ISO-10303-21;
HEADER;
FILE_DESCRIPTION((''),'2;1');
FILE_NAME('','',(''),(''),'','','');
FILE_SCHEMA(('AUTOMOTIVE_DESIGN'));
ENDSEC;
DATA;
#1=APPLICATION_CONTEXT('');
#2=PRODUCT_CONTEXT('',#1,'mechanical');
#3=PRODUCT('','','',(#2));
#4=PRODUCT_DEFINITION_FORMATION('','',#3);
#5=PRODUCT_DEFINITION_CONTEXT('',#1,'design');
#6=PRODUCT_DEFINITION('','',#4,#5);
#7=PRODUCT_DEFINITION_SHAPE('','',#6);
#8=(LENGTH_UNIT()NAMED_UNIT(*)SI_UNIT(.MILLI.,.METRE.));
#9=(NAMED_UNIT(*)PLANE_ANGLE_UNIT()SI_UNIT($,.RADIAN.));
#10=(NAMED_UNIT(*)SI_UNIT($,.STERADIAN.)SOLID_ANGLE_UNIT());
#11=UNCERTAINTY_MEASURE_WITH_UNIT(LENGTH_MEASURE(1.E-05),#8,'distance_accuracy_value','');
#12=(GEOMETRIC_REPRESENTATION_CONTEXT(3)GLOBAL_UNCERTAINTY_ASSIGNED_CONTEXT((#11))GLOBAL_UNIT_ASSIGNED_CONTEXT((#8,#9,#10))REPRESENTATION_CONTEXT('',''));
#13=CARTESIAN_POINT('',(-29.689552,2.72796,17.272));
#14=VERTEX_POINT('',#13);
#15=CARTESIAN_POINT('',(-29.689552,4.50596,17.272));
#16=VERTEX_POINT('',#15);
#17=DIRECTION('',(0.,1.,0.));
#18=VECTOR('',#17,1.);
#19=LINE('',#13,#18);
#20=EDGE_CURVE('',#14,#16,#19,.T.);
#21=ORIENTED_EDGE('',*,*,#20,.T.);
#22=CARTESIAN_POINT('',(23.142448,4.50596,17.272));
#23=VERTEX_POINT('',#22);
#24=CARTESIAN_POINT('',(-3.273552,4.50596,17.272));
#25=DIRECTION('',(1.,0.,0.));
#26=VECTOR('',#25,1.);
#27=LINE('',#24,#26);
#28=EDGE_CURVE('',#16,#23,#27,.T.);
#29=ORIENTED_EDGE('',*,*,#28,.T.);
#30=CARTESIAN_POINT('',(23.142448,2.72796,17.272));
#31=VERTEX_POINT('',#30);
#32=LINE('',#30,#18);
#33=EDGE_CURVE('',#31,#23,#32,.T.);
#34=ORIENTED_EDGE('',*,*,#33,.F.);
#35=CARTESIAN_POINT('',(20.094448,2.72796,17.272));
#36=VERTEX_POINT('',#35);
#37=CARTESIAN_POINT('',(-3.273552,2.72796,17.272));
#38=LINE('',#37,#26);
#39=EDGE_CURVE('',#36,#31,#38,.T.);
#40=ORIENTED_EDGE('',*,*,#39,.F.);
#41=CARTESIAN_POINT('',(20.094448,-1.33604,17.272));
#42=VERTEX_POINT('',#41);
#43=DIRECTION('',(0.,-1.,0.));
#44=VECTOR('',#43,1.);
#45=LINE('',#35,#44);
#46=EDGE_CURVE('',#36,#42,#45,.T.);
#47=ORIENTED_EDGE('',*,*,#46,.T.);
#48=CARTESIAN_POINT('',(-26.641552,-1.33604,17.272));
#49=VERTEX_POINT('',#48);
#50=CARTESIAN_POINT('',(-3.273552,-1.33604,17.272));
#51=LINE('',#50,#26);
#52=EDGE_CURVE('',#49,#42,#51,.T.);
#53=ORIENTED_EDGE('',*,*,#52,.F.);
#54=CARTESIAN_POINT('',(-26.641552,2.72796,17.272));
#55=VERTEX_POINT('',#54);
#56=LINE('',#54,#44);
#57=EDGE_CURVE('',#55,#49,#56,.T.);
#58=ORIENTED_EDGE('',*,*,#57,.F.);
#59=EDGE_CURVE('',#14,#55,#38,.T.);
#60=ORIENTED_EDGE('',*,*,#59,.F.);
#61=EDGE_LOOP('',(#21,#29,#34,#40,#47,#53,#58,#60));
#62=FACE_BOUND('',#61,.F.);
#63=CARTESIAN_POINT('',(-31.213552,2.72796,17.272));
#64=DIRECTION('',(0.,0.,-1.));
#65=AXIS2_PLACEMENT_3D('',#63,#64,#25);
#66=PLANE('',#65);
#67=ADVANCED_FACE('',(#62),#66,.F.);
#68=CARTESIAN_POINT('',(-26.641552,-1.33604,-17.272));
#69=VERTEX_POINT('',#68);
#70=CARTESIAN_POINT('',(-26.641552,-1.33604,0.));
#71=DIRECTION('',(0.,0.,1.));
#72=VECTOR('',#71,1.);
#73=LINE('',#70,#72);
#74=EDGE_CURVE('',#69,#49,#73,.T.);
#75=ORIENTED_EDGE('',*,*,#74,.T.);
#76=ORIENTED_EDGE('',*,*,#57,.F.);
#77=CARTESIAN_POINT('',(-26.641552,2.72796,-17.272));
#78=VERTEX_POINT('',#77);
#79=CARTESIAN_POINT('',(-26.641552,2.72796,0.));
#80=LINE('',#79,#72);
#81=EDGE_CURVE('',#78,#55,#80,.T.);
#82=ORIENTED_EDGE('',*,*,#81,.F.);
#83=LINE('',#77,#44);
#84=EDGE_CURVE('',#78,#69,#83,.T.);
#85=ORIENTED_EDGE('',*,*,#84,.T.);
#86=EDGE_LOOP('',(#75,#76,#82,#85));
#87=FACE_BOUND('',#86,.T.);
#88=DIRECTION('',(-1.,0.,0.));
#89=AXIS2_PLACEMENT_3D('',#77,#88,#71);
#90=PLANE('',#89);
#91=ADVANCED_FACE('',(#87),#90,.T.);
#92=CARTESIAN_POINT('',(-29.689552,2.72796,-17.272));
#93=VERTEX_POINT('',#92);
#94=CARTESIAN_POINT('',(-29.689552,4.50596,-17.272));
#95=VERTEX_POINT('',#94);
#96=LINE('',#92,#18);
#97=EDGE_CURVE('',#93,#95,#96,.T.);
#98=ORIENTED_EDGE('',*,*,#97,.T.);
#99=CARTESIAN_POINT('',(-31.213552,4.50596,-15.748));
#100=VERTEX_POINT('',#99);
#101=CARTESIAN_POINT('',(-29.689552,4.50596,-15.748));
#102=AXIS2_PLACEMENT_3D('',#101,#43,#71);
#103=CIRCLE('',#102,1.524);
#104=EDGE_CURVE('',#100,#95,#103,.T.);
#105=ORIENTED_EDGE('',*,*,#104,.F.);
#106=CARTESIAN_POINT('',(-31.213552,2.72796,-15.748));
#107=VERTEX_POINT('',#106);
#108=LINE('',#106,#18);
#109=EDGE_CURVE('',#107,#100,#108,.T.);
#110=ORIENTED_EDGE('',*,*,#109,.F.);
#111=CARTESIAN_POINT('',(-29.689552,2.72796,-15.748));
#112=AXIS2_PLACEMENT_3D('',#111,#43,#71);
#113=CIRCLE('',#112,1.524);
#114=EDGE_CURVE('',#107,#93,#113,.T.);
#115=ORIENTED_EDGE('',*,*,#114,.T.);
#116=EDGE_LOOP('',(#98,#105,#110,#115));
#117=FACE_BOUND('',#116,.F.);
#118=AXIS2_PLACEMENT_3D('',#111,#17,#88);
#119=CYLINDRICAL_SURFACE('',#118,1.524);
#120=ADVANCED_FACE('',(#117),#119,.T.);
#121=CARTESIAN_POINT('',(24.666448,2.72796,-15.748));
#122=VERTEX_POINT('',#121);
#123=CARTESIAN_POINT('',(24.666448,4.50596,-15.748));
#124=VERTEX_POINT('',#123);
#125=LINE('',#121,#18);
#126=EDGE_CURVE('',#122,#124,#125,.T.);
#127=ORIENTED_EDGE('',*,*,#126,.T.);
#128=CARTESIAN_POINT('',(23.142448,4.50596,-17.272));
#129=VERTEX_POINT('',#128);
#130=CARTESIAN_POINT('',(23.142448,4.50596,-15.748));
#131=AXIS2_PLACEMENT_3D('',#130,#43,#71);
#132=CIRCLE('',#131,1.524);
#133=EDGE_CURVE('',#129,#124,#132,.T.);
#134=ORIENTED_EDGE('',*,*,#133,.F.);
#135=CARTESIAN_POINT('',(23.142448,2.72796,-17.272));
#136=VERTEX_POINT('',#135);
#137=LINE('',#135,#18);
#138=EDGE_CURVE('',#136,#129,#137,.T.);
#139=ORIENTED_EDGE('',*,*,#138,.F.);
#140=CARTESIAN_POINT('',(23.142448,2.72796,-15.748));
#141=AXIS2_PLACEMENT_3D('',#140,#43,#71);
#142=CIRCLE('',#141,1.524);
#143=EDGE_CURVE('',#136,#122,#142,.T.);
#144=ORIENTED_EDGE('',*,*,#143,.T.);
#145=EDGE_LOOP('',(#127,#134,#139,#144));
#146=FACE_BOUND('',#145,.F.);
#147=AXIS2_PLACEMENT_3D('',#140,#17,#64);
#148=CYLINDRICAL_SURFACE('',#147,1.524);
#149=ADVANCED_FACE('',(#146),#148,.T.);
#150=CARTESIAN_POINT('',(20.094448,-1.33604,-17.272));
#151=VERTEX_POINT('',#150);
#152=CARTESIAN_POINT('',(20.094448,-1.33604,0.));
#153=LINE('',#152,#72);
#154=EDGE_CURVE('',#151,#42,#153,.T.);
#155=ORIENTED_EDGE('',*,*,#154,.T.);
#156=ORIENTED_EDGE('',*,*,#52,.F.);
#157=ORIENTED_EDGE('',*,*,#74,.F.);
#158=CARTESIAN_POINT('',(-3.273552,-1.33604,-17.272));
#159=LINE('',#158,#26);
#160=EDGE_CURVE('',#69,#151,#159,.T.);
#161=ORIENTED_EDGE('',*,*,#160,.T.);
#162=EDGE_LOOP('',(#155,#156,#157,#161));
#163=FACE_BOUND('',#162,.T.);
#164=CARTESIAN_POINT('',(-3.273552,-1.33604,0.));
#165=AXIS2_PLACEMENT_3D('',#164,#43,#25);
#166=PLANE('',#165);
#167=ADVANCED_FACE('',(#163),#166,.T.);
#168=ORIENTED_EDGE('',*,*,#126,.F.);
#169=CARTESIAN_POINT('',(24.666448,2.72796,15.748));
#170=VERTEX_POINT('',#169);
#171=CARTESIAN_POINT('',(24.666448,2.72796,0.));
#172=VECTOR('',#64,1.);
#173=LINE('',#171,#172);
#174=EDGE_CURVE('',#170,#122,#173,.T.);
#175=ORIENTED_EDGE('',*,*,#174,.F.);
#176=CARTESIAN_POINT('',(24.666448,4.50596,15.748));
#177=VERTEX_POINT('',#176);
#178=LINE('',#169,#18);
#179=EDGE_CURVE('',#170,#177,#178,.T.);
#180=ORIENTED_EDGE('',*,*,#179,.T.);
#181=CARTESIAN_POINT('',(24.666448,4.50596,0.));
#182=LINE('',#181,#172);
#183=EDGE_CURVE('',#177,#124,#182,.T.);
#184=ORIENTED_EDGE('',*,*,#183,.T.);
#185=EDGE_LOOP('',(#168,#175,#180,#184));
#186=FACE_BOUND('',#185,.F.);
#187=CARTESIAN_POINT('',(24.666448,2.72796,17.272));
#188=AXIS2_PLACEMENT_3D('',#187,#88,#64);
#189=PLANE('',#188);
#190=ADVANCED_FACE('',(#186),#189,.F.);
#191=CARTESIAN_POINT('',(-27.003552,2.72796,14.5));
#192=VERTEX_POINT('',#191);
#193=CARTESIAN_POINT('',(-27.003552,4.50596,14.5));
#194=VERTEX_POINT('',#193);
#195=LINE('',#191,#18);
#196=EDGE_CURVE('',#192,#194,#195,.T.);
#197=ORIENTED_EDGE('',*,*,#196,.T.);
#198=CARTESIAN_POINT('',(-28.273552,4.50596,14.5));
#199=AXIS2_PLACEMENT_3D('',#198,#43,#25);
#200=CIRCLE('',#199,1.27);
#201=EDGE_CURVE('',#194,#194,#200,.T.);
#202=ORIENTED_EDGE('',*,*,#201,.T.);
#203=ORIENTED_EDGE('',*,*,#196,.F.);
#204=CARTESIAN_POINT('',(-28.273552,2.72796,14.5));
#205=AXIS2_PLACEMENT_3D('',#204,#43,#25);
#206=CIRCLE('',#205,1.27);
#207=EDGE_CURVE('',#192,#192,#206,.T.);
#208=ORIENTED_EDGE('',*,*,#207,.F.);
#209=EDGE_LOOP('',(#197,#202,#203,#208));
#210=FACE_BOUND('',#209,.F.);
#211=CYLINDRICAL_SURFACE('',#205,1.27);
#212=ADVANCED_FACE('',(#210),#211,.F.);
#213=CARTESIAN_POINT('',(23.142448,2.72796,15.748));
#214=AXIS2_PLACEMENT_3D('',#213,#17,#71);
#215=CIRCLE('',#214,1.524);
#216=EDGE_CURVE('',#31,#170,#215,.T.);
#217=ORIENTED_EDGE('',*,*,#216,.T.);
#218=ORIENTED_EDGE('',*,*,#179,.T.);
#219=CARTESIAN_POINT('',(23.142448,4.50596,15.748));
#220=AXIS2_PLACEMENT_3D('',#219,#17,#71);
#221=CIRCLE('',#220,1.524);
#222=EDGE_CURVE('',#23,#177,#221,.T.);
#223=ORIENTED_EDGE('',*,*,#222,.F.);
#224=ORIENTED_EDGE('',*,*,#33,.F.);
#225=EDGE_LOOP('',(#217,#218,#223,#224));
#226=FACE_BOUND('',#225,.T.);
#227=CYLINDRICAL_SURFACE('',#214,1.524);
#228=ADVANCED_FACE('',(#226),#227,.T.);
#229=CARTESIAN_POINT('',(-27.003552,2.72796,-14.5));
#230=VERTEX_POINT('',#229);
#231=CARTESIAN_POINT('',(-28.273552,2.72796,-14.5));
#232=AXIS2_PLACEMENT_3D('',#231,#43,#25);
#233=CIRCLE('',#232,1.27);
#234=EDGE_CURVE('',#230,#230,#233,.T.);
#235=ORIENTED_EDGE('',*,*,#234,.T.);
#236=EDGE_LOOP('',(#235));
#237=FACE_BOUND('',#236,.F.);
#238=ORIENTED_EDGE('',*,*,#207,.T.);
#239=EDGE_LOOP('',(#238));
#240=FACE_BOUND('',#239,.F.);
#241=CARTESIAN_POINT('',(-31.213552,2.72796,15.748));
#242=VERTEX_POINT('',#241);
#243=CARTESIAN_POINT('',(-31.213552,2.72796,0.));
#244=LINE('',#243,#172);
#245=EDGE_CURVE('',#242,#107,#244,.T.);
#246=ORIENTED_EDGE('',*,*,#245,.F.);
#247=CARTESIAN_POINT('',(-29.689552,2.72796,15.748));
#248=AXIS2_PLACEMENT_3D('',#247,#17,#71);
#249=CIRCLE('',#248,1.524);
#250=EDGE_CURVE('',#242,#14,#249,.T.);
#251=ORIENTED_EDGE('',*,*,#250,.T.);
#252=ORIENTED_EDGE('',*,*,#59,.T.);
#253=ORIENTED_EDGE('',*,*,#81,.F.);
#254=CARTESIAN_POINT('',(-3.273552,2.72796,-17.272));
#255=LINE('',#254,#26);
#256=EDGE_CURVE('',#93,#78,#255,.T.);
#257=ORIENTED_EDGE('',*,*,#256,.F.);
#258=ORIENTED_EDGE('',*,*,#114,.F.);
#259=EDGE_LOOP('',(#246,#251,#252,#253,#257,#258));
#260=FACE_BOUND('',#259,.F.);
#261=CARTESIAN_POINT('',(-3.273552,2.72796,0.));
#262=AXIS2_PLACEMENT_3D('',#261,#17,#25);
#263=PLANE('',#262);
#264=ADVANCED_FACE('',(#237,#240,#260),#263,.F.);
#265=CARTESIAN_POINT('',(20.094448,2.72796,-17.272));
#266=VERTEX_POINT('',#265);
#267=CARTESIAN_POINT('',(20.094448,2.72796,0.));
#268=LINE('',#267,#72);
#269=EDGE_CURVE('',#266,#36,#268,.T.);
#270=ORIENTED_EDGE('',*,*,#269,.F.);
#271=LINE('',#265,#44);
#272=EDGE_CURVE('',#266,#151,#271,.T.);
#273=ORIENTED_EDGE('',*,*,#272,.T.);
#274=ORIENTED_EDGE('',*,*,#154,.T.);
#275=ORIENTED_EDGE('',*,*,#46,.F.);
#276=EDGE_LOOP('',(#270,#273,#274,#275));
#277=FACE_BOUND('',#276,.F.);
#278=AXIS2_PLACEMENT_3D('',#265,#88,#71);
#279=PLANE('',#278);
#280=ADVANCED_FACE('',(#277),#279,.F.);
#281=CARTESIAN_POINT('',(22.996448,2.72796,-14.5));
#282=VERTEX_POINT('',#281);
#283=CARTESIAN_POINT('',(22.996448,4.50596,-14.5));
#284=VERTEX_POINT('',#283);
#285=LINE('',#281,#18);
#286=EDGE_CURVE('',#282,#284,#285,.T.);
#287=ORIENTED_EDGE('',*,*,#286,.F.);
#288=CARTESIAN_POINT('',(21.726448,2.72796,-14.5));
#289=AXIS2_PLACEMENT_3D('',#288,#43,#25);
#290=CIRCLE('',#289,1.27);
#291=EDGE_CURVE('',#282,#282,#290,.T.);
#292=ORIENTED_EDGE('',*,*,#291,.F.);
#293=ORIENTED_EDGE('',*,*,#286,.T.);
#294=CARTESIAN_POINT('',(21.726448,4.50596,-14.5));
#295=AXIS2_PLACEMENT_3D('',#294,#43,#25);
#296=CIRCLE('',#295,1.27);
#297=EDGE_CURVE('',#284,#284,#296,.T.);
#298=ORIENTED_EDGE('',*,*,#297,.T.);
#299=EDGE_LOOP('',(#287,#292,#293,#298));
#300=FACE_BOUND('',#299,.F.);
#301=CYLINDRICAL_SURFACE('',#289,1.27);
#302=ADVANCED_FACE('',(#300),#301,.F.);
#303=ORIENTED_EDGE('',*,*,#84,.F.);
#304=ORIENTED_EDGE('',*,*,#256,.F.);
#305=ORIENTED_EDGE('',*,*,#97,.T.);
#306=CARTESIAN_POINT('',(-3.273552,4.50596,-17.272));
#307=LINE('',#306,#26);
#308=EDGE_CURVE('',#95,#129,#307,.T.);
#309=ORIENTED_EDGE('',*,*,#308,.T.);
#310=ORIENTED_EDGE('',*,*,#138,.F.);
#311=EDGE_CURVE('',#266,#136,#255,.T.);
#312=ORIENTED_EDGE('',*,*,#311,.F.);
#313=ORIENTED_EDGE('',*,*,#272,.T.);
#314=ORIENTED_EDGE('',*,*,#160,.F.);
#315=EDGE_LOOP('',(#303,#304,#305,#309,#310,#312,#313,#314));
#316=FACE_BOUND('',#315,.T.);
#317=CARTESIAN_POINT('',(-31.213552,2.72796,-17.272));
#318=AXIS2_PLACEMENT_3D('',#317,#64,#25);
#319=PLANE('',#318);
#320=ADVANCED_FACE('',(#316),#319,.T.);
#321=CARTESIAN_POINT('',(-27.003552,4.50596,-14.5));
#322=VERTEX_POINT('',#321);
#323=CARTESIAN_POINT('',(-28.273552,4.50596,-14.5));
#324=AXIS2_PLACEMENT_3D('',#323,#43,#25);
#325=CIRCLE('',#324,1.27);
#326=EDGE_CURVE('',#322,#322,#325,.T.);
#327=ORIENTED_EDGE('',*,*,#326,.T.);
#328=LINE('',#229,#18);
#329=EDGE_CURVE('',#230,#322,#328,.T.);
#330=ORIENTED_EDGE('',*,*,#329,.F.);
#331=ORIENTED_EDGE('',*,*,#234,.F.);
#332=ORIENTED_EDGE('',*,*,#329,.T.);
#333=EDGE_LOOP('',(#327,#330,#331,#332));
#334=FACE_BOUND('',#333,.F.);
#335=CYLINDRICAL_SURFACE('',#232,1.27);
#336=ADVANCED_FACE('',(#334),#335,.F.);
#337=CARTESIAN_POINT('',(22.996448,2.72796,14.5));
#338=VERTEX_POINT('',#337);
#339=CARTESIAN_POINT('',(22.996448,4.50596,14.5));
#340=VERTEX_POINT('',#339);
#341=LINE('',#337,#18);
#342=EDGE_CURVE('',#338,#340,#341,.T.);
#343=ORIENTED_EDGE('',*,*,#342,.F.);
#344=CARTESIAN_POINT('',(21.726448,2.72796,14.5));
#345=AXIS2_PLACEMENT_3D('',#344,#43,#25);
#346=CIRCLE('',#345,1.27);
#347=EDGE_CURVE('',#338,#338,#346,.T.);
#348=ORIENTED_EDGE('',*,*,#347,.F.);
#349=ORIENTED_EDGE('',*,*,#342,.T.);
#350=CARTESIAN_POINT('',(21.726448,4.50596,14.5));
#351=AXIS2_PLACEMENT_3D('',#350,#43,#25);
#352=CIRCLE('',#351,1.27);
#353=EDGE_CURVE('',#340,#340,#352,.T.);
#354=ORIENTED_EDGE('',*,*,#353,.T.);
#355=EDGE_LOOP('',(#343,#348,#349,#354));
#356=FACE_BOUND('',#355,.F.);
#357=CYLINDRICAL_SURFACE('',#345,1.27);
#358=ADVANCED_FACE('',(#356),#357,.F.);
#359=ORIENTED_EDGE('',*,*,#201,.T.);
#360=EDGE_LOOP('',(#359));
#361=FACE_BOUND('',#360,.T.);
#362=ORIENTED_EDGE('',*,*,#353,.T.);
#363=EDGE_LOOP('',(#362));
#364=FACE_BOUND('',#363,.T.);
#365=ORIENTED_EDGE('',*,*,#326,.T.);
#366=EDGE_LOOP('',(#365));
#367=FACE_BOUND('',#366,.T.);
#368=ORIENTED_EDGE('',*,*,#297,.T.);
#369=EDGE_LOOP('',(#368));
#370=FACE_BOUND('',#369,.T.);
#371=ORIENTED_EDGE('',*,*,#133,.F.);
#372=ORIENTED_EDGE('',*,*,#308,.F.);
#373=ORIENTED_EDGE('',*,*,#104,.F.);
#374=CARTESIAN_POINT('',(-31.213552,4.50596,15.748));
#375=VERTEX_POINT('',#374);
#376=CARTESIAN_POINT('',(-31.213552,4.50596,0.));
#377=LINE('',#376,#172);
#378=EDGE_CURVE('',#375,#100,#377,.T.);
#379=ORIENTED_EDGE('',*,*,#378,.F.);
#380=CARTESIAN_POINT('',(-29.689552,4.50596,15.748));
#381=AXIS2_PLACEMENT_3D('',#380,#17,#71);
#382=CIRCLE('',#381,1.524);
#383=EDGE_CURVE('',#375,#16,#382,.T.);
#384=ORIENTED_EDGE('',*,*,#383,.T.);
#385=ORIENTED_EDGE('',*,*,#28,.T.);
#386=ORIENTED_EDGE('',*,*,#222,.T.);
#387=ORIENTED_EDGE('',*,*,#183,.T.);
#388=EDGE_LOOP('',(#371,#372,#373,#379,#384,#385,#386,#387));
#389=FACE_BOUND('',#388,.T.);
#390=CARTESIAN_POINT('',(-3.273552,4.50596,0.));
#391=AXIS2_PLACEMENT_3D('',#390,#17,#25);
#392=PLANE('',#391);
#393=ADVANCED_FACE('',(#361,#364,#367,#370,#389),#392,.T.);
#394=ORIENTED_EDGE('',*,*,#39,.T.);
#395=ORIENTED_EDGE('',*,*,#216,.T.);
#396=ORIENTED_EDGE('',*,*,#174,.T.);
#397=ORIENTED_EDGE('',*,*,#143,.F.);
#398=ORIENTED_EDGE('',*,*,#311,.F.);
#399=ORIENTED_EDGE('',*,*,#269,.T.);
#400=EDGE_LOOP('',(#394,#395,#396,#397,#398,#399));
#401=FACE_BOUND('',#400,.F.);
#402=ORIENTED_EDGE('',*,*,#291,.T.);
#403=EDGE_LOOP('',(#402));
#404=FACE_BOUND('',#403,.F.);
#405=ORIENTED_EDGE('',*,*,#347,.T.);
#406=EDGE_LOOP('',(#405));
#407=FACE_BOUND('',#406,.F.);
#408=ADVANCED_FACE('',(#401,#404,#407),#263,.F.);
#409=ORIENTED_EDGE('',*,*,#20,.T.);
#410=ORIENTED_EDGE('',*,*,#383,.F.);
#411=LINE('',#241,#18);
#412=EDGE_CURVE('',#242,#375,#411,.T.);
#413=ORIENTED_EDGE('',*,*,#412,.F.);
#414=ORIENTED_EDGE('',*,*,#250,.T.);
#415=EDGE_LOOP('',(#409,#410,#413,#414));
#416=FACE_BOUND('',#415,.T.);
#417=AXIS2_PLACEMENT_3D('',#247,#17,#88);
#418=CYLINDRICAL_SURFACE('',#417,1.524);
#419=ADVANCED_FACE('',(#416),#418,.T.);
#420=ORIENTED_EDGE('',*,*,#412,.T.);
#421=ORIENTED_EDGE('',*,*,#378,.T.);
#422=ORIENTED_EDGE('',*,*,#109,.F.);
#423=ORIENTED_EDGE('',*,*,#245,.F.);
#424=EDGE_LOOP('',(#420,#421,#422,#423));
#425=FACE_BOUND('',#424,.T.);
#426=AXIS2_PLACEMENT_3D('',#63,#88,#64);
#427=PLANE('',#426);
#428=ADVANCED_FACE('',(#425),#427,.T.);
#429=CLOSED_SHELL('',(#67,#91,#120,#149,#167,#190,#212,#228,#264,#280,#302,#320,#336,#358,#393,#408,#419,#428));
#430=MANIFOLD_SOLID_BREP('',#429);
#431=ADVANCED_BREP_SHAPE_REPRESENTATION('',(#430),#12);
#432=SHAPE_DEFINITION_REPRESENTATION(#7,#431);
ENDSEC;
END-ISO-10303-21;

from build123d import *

# Parameters (mm, degrees)
SKETCH_W     = 46.736
SKETCH_H     = 34.544
PAD_DEPTH    = 4.064
SKETCH001_W  = 55.88
SKETCH001_H  = 34.544
PAD001_DEPTH = 1.778
SKETCH002_R  = 1.27
POCKET_DEPTH = 1.779
FILLET_R     = 1.524


with BuildPart() as part:
    # Sketch → Pad (new body)
    with BuildSketch(Plane.XZ):
        Rectangle(SKETCH_W, SKETCH_H)
    extrude(amount=PAD_DEPTH)

    # Sketch001 (on Face5 of Pad) → Pad001 (join)
    with BuildSketch(Plane(origin=(0, 0, 0), x_dir=(1, 0, 0), z_dir=(0, 1, 0))):
        Rectangle(SKETCH001_W, SKETCH001_H)
    extrude(amount=PAD001_DEPTH)

    # Sketch002 (on Face7 of Pad001) → Pocket (cut, through all)
    with BuildSketch(Plane.XZ):
        with Locations((25, 14.5)):
            Circle(SKETCH002_R)
        with Locations((-25, 14.5)):
            Circle(SKETCH002_R)
        with Locations((-25, -14.5)):
            Circle(SKETCH002_R)
        with Locations((25, -14.5)):
            Circle(SKETCH002_R)
    extrude(amount=-POCKET_DEPTH, mode=Mode.SUBTRACT)

    # Fillet
    fillet_edges = [part.edges().sort_by_distance(p)[0] for p in [
        (27.94, 0.889, -17.272),
        (27.94, 0.889, 17.272),
        (-27.94, 0.889, 17.272),
        (-27.94, 0.889, -17.272),
    ]]
    fillet(fillet_edges, radius=FILLET_R)


with BuildPart() as part_1:
    # Body placement: moved
    add(part.part.moved(Location((-3.273552, 2.72796, 0))))


solid = part_1.part
